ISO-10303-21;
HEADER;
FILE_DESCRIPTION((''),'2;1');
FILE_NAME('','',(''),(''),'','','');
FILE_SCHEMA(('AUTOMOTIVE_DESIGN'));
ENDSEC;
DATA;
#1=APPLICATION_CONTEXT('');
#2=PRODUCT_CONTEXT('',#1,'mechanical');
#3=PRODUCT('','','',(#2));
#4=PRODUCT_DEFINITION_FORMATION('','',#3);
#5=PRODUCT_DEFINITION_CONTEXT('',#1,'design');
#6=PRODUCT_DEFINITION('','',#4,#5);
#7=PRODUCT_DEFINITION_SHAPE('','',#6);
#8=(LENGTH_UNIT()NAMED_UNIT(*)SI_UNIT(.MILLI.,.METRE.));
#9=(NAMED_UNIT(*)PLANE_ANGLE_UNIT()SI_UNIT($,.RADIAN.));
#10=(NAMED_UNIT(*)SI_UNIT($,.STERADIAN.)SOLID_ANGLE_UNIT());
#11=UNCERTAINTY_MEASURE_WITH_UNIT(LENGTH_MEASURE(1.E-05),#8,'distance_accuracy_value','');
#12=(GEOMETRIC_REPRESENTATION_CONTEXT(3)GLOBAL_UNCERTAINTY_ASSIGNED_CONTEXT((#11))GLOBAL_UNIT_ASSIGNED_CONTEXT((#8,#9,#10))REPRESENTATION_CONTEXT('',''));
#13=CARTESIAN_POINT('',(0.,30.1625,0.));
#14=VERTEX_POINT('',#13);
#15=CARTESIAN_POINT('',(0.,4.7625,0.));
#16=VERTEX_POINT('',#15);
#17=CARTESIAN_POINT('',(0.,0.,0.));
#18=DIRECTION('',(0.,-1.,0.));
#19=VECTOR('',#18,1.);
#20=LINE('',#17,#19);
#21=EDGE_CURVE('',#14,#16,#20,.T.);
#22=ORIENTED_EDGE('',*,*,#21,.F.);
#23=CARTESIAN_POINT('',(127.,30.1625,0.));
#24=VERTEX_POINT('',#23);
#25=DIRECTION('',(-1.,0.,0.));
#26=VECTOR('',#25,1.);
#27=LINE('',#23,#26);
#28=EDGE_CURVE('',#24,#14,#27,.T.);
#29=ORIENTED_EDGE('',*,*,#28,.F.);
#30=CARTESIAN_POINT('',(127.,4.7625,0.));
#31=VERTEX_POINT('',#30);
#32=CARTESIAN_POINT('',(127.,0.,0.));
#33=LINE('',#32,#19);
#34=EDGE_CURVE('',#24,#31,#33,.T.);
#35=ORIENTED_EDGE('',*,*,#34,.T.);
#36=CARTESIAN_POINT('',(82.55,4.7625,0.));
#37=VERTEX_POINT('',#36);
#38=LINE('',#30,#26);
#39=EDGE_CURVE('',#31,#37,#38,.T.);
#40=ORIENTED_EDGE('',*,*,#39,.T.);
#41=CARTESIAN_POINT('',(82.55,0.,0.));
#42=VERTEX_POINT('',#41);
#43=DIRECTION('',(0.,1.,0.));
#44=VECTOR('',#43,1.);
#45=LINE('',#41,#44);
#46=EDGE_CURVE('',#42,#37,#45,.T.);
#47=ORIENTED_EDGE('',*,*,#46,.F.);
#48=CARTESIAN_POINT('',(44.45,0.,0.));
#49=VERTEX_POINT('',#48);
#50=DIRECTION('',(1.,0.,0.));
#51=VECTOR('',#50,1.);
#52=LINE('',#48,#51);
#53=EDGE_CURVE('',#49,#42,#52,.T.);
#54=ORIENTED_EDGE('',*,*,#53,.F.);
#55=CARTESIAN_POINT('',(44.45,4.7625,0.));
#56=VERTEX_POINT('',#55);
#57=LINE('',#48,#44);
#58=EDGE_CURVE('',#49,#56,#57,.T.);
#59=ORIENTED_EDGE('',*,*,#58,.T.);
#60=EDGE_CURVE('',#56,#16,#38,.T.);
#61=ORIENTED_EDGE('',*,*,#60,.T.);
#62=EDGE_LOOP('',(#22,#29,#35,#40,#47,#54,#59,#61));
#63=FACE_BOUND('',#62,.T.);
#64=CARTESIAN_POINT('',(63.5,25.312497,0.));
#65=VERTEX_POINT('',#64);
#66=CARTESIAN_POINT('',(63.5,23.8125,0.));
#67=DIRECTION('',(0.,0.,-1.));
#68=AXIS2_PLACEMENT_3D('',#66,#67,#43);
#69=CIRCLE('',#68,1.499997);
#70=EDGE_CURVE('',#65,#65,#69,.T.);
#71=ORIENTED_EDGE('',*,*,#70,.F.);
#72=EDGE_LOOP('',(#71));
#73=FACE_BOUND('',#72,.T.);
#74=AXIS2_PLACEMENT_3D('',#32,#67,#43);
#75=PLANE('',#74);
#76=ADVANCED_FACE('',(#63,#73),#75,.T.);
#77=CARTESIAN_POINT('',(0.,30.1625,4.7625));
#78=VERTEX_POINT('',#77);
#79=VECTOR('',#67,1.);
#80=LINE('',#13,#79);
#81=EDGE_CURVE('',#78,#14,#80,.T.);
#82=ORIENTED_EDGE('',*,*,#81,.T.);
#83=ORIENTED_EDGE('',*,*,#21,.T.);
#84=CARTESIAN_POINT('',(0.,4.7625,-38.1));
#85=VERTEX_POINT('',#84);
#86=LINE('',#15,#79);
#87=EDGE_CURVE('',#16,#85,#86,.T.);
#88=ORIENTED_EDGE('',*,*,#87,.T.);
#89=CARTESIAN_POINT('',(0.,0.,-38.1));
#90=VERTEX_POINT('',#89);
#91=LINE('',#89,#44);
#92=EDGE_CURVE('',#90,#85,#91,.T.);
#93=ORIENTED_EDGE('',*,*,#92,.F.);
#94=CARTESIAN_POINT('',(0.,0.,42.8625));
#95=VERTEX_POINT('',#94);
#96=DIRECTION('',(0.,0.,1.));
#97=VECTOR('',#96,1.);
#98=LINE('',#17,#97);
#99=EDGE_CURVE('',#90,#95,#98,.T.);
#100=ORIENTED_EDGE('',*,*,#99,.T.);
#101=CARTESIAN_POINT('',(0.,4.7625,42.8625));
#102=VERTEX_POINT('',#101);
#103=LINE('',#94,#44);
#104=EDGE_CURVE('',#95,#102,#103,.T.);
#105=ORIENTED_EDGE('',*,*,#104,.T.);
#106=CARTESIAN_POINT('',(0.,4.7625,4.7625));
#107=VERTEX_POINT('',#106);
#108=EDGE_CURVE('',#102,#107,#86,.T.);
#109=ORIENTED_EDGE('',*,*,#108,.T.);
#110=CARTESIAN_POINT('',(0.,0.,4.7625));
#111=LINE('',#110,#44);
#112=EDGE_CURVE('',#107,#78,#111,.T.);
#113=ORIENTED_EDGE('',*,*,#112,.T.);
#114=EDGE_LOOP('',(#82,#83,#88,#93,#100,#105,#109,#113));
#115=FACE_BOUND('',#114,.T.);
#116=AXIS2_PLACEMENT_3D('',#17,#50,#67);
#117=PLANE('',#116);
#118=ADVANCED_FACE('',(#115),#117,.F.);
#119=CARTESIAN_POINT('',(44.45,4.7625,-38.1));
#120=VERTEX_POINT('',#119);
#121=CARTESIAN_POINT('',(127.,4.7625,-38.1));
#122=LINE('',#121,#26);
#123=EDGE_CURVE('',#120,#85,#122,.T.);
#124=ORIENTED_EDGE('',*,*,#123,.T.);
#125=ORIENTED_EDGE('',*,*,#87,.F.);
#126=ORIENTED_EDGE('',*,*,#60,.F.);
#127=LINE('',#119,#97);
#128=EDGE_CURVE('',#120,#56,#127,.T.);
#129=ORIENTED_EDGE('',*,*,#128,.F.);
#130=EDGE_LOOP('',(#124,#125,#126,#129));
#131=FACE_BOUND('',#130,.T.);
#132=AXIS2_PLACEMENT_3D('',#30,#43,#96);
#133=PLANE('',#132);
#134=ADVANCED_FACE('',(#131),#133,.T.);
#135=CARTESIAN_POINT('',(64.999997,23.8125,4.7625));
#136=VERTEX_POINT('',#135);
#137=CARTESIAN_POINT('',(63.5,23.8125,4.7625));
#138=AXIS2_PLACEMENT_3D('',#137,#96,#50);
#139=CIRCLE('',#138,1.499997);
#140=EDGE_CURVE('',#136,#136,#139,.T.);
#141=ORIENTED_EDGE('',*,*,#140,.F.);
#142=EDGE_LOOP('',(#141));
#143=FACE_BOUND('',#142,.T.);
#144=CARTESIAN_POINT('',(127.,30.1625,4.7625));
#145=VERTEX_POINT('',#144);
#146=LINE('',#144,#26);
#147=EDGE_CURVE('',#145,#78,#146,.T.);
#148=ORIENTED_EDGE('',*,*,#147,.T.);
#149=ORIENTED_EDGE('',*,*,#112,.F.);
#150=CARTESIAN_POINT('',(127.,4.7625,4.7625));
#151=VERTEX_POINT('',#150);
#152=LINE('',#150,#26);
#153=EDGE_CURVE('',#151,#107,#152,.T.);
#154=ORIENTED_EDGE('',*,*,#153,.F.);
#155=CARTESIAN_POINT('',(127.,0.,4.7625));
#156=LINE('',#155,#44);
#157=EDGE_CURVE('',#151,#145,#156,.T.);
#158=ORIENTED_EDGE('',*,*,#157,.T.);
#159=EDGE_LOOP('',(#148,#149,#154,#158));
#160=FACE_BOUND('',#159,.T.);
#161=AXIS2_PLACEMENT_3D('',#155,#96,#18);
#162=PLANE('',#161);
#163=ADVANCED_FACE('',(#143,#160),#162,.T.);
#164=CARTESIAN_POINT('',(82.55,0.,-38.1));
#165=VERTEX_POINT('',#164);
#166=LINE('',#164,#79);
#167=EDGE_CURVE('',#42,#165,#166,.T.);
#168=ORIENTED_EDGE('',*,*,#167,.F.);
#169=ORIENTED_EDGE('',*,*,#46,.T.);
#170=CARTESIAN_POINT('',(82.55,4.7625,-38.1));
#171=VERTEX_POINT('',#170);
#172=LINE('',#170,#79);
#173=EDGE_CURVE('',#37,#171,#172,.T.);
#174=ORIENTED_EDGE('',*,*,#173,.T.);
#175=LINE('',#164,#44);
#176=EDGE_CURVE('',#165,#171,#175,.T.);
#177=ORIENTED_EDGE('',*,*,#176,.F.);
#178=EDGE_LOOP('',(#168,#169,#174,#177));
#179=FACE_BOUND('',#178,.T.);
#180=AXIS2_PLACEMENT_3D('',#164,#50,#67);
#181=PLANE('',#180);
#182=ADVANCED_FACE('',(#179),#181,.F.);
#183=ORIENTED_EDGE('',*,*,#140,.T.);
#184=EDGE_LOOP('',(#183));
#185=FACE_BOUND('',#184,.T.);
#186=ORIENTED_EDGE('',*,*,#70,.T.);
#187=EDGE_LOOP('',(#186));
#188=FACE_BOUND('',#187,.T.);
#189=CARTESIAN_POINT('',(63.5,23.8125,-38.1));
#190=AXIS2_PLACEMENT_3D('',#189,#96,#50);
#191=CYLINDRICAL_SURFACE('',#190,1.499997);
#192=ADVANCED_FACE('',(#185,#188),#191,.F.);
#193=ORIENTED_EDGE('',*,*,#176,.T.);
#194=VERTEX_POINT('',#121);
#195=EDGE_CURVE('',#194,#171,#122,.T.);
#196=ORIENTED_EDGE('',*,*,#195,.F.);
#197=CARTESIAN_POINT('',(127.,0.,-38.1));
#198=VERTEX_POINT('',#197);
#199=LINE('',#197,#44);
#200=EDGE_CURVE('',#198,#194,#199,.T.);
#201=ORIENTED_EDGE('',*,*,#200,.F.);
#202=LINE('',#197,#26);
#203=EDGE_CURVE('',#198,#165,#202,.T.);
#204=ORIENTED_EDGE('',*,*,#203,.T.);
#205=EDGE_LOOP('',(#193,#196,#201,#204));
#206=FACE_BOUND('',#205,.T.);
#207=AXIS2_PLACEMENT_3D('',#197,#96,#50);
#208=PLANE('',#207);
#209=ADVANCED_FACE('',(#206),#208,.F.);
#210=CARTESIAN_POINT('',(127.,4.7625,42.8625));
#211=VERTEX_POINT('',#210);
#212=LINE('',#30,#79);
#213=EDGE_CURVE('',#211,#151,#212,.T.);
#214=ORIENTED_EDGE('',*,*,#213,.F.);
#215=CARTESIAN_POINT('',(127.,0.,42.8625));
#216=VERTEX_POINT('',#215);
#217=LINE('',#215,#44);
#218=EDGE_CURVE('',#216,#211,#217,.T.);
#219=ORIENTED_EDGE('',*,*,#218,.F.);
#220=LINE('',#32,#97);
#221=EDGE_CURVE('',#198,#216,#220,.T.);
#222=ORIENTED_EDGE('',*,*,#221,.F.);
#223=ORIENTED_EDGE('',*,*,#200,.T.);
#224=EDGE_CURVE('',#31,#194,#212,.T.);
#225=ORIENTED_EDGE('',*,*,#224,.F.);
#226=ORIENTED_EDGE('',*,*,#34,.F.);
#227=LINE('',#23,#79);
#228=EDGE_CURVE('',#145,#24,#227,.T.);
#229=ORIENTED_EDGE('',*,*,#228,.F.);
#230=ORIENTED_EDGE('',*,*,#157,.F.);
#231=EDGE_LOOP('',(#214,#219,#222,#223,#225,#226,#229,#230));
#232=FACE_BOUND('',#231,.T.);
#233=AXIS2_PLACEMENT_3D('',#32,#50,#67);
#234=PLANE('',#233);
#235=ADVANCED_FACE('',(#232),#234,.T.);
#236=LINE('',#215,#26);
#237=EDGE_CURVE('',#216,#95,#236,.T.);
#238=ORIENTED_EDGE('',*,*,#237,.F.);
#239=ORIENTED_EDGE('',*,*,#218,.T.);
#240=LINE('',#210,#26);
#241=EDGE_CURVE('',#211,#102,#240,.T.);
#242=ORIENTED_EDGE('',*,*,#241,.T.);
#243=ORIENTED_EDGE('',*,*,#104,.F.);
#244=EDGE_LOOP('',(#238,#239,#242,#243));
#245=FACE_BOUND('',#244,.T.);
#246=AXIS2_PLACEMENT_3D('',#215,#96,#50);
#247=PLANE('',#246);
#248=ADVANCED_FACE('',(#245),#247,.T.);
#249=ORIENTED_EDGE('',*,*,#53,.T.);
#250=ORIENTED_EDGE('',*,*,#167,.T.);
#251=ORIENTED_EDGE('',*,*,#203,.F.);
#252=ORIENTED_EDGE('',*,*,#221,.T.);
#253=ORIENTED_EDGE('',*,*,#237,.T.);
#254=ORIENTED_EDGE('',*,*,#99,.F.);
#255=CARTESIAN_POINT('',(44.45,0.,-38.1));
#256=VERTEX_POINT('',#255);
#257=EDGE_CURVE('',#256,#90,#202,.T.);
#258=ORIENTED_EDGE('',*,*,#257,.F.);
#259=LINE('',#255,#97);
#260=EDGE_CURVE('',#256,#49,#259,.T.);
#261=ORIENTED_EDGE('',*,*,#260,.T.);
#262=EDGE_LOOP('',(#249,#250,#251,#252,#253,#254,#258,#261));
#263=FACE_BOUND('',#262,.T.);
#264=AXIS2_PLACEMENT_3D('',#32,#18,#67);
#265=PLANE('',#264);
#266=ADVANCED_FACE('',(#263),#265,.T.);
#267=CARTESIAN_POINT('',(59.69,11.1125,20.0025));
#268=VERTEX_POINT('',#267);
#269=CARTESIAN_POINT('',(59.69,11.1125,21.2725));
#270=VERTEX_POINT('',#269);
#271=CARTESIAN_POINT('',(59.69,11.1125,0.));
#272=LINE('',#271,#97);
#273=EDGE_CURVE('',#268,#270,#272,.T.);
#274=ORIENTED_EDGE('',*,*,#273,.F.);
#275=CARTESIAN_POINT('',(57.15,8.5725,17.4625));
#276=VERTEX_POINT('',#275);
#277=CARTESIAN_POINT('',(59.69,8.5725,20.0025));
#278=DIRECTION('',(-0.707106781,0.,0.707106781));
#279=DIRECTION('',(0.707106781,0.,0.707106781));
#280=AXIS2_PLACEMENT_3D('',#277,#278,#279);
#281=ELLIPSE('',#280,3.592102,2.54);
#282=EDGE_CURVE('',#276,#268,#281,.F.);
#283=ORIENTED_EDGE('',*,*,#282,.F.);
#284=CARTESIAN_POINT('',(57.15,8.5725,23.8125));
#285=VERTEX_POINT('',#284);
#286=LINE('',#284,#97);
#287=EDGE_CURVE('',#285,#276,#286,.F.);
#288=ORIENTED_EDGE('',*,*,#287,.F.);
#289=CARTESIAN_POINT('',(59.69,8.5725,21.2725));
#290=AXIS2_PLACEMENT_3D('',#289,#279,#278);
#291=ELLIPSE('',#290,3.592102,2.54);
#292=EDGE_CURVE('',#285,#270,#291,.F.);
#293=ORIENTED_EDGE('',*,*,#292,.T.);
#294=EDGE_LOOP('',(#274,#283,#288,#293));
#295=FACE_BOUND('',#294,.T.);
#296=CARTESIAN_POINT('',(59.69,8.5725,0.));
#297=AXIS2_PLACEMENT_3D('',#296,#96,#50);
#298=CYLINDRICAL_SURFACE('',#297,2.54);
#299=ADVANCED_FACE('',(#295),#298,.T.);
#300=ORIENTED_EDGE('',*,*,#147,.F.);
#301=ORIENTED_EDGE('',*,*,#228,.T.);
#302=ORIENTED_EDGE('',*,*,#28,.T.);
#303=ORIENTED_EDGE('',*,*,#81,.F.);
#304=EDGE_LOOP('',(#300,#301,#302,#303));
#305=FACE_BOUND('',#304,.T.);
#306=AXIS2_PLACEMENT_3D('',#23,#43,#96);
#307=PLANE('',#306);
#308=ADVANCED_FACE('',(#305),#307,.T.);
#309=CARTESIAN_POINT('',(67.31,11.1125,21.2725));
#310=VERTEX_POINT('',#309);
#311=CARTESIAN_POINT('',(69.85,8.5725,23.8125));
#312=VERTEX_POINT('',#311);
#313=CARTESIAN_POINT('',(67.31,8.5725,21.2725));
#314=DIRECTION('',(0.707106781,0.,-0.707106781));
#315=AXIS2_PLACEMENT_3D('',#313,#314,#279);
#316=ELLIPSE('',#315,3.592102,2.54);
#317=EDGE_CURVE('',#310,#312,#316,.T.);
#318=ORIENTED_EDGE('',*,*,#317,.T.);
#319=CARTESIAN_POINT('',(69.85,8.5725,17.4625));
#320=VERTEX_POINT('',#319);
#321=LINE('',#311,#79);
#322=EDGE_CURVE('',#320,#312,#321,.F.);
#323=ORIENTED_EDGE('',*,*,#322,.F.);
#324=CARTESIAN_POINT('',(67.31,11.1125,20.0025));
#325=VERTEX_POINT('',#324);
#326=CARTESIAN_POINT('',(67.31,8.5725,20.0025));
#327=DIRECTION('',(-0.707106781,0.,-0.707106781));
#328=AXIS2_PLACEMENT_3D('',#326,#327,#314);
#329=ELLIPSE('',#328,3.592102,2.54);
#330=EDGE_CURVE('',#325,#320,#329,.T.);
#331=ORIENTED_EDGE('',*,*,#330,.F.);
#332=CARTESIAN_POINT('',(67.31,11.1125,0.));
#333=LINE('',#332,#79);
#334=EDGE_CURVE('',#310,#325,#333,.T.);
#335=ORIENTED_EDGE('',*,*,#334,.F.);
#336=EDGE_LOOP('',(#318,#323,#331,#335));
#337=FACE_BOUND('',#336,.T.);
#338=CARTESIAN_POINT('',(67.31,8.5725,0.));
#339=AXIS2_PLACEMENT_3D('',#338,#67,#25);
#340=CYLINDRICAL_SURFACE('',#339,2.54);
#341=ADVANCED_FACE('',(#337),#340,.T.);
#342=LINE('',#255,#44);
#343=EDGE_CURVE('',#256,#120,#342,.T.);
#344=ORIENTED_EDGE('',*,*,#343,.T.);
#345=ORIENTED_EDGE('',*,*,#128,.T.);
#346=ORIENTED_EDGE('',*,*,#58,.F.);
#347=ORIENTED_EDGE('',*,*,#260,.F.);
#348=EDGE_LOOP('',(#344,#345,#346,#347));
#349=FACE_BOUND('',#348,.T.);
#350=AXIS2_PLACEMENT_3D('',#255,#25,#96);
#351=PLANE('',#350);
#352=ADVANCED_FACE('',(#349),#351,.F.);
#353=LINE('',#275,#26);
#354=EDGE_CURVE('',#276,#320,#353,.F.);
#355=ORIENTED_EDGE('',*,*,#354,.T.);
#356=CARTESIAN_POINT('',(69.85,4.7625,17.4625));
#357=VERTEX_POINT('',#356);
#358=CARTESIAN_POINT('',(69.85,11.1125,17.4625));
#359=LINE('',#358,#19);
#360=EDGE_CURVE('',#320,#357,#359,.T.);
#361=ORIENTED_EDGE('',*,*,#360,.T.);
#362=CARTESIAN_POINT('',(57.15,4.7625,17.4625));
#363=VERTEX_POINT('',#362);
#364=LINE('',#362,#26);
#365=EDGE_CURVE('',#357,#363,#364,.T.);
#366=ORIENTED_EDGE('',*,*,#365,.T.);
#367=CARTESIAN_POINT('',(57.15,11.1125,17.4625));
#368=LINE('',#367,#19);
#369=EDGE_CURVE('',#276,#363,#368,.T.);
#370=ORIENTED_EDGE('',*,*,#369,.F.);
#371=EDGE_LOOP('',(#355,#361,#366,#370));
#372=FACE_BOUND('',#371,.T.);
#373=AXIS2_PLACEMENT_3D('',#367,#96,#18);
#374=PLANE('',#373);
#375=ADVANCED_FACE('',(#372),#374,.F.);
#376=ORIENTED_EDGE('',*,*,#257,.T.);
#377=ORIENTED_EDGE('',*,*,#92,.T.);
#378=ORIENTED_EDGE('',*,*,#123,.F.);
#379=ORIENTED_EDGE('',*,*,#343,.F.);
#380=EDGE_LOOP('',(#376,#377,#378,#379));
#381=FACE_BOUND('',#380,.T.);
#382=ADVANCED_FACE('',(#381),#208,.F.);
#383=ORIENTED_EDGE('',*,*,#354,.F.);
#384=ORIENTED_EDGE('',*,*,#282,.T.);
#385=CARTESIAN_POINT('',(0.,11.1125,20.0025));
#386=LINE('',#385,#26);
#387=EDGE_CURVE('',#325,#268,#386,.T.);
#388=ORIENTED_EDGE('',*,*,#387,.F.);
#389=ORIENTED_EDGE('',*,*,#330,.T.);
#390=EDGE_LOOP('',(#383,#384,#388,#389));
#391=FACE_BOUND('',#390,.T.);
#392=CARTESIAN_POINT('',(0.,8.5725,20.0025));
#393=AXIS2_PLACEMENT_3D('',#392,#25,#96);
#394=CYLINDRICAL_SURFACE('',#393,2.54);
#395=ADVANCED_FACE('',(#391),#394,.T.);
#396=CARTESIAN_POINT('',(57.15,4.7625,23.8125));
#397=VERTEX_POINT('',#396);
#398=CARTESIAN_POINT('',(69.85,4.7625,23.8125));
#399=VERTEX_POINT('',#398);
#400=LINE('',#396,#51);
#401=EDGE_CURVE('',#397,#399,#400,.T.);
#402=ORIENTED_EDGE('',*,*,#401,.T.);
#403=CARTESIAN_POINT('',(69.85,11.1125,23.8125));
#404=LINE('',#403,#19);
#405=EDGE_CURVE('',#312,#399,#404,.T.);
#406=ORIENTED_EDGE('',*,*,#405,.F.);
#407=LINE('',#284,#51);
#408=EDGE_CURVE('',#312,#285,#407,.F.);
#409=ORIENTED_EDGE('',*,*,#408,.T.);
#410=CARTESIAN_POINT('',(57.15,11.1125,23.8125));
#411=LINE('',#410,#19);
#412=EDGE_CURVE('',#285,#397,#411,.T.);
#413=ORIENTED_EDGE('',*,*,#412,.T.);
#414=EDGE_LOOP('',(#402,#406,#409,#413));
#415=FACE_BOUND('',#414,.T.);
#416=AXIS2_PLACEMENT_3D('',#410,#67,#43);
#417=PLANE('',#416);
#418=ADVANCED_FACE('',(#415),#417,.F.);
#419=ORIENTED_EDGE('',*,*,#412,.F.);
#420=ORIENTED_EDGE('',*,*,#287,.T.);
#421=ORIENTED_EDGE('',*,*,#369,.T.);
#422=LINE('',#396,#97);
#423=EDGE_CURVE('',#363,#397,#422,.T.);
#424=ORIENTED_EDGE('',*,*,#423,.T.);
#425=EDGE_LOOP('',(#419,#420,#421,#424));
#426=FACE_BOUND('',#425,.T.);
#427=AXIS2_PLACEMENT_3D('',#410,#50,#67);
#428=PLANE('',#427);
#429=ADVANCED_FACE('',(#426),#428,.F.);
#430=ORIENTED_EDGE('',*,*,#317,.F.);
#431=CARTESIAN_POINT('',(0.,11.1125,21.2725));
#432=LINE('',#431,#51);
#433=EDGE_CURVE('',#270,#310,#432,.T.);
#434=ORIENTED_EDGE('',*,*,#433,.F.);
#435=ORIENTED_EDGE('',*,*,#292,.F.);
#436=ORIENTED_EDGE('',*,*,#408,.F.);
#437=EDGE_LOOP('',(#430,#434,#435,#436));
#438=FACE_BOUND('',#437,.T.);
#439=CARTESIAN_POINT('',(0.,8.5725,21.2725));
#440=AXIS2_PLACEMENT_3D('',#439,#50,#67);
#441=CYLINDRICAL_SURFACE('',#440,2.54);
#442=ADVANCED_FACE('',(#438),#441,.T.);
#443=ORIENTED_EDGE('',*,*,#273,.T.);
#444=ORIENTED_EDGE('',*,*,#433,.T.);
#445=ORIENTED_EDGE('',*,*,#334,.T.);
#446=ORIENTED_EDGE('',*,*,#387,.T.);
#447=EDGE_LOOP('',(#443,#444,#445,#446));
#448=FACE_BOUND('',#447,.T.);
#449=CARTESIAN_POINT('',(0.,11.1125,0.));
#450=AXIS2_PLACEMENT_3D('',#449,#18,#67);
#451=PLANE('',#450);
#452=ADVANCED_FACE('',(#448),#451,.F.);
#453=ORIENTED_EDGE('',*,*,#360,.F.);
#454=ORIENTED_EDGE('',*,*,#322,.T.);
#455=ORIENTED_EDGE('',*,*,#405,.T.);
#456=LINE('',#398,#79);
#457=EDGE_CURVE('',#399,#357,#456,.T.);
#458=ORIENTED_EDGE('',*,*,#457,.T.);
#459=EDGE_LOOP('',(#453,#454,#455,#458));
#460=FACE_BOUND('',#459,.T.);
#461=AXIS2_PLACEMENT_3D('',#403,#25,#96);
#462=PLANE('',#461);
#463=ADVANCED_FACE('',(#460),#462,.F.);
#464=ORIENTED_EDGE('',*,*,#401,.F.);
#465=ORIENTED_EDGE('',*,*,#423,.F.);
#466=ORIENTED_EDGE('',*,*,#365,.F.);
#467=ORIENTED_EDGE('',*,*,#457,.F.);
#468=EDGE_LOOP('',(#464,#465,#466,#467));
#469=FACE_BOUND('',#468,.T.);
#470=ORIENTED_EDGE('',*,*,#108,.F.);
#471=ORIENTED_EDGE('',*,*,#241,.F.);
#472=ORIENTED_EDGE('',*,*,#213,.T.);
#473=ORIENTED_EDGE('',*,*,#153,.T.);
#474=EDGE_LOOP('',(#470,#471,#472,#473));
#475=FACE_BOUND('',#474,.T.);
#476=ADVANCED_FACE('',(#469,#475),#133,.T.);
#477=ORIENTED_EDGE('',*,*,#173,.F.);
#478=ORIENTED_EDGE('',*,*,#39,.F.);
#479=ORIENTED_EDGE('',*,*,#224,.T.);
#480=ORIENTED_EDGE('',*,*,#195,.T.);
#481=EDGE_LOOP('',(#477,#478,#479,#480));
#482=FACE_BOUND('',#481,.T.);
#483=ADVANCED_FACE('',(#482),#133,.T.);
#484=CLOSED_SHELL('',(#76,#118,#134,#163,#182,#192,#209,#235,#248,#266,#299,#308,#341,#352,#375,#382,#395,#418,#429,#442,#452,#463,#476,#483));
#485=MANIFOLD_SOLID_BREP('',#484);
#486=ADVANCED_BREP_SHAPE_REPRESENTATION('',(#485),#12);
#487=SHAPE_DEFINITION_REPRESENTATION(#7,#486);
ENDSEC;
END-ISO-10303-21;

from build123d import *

# Parameters (mm, degrees)
SKETCH1_W           = 38.1
SKETCH1_H           = 4.7625
BOSS_EXTRUDE1_DEPTH = 127
SKETCH2_W           = 12.7
SKETCH2_H           = 6.35
BOSS_EXTRUDE2_DEPTH = 6.35
SKETCH3_R           = 1.499997
CUT_EXTRUDE1_DEPTH  = 138.389847924
FILLET1_R           = 2.54
SKETCH4_W           = 38.1
SKETCH4_H           = 38.1
CUT_EXTRUDE2_DEPTH  = 137.423436059


with BuildPart() as part:
    # Sketch1 → Boss-Extrude1 (new body)
    with BuildSketch(Plane(origin=(0, 0, 0), x_dir=(0, 0, -1), z_dir=(1, 0, 0))):
        Polygon((0, 30.1625), (0, 0), (-42.8625, 0), (-42.8625, 4.7625), (-4.7625, 4.7625), (-4.7625, 30.1625), align=None)
        with Locations((19.05, 2.38125)):
            Rectangle(SKETCH1_W, SKETCH1_H)
    extrude(amount=BOSS_EXTRUDE1_DEPTH)

    # Sketch2 → Boss-Extrude2 (add)
    with BuildSketch(Plane(origin=(0, 4.7625, 0), x_dir=(1, 0, 0), z_dir=(0, 1, 0))):
        with Locations((63.5, -20.6375)):
            Rectangle(SKETCH2_W, SKETCH2_H)
    extrude(amount=BOSS_EXTRUDE2_DEPTH)

    # Sketch3 → Cut-Extrude1 (cut, through all)
    with BuildSketch(Plane.XY.offset(4.7625)):
        with Locations((63.5, 23.8125)):
            Circle(SKETCH3_R)
    extrude(amount=-CUT_EXTRUDE1_DEPTH, mode=Mode.SUBTRACT)

    # Fillet1
    fillet1_edges = [part.edges().sort_by_distance(p)[0] for p in [
        (57.15, 11.1125, 20.6375),
        (63.5, 11.1125, 23.8125),
        (69.85, 11.1125, 20.6375),
        (63.5, 11.1125, 17.4625),
    ]]
    fillet(fillet1_edges, radius=FILLET1_R)

    # Sketch4 → Cut-Extrude2 (cut, through all)
    with BuildSketch(Plane(origin=(0, 4.7625, 0), x_dir=(1, 0, 0), z_dir=(0, 1, 0))):
        with Locations((63.5, 19.05)):
            Rectangle(SKETCH4_W, SKETCH4_H)
    extrude(amount=-CUT_EXTRUDE2_DEPTH, mode=Mode.SUBTRACT)


solid = part.part
